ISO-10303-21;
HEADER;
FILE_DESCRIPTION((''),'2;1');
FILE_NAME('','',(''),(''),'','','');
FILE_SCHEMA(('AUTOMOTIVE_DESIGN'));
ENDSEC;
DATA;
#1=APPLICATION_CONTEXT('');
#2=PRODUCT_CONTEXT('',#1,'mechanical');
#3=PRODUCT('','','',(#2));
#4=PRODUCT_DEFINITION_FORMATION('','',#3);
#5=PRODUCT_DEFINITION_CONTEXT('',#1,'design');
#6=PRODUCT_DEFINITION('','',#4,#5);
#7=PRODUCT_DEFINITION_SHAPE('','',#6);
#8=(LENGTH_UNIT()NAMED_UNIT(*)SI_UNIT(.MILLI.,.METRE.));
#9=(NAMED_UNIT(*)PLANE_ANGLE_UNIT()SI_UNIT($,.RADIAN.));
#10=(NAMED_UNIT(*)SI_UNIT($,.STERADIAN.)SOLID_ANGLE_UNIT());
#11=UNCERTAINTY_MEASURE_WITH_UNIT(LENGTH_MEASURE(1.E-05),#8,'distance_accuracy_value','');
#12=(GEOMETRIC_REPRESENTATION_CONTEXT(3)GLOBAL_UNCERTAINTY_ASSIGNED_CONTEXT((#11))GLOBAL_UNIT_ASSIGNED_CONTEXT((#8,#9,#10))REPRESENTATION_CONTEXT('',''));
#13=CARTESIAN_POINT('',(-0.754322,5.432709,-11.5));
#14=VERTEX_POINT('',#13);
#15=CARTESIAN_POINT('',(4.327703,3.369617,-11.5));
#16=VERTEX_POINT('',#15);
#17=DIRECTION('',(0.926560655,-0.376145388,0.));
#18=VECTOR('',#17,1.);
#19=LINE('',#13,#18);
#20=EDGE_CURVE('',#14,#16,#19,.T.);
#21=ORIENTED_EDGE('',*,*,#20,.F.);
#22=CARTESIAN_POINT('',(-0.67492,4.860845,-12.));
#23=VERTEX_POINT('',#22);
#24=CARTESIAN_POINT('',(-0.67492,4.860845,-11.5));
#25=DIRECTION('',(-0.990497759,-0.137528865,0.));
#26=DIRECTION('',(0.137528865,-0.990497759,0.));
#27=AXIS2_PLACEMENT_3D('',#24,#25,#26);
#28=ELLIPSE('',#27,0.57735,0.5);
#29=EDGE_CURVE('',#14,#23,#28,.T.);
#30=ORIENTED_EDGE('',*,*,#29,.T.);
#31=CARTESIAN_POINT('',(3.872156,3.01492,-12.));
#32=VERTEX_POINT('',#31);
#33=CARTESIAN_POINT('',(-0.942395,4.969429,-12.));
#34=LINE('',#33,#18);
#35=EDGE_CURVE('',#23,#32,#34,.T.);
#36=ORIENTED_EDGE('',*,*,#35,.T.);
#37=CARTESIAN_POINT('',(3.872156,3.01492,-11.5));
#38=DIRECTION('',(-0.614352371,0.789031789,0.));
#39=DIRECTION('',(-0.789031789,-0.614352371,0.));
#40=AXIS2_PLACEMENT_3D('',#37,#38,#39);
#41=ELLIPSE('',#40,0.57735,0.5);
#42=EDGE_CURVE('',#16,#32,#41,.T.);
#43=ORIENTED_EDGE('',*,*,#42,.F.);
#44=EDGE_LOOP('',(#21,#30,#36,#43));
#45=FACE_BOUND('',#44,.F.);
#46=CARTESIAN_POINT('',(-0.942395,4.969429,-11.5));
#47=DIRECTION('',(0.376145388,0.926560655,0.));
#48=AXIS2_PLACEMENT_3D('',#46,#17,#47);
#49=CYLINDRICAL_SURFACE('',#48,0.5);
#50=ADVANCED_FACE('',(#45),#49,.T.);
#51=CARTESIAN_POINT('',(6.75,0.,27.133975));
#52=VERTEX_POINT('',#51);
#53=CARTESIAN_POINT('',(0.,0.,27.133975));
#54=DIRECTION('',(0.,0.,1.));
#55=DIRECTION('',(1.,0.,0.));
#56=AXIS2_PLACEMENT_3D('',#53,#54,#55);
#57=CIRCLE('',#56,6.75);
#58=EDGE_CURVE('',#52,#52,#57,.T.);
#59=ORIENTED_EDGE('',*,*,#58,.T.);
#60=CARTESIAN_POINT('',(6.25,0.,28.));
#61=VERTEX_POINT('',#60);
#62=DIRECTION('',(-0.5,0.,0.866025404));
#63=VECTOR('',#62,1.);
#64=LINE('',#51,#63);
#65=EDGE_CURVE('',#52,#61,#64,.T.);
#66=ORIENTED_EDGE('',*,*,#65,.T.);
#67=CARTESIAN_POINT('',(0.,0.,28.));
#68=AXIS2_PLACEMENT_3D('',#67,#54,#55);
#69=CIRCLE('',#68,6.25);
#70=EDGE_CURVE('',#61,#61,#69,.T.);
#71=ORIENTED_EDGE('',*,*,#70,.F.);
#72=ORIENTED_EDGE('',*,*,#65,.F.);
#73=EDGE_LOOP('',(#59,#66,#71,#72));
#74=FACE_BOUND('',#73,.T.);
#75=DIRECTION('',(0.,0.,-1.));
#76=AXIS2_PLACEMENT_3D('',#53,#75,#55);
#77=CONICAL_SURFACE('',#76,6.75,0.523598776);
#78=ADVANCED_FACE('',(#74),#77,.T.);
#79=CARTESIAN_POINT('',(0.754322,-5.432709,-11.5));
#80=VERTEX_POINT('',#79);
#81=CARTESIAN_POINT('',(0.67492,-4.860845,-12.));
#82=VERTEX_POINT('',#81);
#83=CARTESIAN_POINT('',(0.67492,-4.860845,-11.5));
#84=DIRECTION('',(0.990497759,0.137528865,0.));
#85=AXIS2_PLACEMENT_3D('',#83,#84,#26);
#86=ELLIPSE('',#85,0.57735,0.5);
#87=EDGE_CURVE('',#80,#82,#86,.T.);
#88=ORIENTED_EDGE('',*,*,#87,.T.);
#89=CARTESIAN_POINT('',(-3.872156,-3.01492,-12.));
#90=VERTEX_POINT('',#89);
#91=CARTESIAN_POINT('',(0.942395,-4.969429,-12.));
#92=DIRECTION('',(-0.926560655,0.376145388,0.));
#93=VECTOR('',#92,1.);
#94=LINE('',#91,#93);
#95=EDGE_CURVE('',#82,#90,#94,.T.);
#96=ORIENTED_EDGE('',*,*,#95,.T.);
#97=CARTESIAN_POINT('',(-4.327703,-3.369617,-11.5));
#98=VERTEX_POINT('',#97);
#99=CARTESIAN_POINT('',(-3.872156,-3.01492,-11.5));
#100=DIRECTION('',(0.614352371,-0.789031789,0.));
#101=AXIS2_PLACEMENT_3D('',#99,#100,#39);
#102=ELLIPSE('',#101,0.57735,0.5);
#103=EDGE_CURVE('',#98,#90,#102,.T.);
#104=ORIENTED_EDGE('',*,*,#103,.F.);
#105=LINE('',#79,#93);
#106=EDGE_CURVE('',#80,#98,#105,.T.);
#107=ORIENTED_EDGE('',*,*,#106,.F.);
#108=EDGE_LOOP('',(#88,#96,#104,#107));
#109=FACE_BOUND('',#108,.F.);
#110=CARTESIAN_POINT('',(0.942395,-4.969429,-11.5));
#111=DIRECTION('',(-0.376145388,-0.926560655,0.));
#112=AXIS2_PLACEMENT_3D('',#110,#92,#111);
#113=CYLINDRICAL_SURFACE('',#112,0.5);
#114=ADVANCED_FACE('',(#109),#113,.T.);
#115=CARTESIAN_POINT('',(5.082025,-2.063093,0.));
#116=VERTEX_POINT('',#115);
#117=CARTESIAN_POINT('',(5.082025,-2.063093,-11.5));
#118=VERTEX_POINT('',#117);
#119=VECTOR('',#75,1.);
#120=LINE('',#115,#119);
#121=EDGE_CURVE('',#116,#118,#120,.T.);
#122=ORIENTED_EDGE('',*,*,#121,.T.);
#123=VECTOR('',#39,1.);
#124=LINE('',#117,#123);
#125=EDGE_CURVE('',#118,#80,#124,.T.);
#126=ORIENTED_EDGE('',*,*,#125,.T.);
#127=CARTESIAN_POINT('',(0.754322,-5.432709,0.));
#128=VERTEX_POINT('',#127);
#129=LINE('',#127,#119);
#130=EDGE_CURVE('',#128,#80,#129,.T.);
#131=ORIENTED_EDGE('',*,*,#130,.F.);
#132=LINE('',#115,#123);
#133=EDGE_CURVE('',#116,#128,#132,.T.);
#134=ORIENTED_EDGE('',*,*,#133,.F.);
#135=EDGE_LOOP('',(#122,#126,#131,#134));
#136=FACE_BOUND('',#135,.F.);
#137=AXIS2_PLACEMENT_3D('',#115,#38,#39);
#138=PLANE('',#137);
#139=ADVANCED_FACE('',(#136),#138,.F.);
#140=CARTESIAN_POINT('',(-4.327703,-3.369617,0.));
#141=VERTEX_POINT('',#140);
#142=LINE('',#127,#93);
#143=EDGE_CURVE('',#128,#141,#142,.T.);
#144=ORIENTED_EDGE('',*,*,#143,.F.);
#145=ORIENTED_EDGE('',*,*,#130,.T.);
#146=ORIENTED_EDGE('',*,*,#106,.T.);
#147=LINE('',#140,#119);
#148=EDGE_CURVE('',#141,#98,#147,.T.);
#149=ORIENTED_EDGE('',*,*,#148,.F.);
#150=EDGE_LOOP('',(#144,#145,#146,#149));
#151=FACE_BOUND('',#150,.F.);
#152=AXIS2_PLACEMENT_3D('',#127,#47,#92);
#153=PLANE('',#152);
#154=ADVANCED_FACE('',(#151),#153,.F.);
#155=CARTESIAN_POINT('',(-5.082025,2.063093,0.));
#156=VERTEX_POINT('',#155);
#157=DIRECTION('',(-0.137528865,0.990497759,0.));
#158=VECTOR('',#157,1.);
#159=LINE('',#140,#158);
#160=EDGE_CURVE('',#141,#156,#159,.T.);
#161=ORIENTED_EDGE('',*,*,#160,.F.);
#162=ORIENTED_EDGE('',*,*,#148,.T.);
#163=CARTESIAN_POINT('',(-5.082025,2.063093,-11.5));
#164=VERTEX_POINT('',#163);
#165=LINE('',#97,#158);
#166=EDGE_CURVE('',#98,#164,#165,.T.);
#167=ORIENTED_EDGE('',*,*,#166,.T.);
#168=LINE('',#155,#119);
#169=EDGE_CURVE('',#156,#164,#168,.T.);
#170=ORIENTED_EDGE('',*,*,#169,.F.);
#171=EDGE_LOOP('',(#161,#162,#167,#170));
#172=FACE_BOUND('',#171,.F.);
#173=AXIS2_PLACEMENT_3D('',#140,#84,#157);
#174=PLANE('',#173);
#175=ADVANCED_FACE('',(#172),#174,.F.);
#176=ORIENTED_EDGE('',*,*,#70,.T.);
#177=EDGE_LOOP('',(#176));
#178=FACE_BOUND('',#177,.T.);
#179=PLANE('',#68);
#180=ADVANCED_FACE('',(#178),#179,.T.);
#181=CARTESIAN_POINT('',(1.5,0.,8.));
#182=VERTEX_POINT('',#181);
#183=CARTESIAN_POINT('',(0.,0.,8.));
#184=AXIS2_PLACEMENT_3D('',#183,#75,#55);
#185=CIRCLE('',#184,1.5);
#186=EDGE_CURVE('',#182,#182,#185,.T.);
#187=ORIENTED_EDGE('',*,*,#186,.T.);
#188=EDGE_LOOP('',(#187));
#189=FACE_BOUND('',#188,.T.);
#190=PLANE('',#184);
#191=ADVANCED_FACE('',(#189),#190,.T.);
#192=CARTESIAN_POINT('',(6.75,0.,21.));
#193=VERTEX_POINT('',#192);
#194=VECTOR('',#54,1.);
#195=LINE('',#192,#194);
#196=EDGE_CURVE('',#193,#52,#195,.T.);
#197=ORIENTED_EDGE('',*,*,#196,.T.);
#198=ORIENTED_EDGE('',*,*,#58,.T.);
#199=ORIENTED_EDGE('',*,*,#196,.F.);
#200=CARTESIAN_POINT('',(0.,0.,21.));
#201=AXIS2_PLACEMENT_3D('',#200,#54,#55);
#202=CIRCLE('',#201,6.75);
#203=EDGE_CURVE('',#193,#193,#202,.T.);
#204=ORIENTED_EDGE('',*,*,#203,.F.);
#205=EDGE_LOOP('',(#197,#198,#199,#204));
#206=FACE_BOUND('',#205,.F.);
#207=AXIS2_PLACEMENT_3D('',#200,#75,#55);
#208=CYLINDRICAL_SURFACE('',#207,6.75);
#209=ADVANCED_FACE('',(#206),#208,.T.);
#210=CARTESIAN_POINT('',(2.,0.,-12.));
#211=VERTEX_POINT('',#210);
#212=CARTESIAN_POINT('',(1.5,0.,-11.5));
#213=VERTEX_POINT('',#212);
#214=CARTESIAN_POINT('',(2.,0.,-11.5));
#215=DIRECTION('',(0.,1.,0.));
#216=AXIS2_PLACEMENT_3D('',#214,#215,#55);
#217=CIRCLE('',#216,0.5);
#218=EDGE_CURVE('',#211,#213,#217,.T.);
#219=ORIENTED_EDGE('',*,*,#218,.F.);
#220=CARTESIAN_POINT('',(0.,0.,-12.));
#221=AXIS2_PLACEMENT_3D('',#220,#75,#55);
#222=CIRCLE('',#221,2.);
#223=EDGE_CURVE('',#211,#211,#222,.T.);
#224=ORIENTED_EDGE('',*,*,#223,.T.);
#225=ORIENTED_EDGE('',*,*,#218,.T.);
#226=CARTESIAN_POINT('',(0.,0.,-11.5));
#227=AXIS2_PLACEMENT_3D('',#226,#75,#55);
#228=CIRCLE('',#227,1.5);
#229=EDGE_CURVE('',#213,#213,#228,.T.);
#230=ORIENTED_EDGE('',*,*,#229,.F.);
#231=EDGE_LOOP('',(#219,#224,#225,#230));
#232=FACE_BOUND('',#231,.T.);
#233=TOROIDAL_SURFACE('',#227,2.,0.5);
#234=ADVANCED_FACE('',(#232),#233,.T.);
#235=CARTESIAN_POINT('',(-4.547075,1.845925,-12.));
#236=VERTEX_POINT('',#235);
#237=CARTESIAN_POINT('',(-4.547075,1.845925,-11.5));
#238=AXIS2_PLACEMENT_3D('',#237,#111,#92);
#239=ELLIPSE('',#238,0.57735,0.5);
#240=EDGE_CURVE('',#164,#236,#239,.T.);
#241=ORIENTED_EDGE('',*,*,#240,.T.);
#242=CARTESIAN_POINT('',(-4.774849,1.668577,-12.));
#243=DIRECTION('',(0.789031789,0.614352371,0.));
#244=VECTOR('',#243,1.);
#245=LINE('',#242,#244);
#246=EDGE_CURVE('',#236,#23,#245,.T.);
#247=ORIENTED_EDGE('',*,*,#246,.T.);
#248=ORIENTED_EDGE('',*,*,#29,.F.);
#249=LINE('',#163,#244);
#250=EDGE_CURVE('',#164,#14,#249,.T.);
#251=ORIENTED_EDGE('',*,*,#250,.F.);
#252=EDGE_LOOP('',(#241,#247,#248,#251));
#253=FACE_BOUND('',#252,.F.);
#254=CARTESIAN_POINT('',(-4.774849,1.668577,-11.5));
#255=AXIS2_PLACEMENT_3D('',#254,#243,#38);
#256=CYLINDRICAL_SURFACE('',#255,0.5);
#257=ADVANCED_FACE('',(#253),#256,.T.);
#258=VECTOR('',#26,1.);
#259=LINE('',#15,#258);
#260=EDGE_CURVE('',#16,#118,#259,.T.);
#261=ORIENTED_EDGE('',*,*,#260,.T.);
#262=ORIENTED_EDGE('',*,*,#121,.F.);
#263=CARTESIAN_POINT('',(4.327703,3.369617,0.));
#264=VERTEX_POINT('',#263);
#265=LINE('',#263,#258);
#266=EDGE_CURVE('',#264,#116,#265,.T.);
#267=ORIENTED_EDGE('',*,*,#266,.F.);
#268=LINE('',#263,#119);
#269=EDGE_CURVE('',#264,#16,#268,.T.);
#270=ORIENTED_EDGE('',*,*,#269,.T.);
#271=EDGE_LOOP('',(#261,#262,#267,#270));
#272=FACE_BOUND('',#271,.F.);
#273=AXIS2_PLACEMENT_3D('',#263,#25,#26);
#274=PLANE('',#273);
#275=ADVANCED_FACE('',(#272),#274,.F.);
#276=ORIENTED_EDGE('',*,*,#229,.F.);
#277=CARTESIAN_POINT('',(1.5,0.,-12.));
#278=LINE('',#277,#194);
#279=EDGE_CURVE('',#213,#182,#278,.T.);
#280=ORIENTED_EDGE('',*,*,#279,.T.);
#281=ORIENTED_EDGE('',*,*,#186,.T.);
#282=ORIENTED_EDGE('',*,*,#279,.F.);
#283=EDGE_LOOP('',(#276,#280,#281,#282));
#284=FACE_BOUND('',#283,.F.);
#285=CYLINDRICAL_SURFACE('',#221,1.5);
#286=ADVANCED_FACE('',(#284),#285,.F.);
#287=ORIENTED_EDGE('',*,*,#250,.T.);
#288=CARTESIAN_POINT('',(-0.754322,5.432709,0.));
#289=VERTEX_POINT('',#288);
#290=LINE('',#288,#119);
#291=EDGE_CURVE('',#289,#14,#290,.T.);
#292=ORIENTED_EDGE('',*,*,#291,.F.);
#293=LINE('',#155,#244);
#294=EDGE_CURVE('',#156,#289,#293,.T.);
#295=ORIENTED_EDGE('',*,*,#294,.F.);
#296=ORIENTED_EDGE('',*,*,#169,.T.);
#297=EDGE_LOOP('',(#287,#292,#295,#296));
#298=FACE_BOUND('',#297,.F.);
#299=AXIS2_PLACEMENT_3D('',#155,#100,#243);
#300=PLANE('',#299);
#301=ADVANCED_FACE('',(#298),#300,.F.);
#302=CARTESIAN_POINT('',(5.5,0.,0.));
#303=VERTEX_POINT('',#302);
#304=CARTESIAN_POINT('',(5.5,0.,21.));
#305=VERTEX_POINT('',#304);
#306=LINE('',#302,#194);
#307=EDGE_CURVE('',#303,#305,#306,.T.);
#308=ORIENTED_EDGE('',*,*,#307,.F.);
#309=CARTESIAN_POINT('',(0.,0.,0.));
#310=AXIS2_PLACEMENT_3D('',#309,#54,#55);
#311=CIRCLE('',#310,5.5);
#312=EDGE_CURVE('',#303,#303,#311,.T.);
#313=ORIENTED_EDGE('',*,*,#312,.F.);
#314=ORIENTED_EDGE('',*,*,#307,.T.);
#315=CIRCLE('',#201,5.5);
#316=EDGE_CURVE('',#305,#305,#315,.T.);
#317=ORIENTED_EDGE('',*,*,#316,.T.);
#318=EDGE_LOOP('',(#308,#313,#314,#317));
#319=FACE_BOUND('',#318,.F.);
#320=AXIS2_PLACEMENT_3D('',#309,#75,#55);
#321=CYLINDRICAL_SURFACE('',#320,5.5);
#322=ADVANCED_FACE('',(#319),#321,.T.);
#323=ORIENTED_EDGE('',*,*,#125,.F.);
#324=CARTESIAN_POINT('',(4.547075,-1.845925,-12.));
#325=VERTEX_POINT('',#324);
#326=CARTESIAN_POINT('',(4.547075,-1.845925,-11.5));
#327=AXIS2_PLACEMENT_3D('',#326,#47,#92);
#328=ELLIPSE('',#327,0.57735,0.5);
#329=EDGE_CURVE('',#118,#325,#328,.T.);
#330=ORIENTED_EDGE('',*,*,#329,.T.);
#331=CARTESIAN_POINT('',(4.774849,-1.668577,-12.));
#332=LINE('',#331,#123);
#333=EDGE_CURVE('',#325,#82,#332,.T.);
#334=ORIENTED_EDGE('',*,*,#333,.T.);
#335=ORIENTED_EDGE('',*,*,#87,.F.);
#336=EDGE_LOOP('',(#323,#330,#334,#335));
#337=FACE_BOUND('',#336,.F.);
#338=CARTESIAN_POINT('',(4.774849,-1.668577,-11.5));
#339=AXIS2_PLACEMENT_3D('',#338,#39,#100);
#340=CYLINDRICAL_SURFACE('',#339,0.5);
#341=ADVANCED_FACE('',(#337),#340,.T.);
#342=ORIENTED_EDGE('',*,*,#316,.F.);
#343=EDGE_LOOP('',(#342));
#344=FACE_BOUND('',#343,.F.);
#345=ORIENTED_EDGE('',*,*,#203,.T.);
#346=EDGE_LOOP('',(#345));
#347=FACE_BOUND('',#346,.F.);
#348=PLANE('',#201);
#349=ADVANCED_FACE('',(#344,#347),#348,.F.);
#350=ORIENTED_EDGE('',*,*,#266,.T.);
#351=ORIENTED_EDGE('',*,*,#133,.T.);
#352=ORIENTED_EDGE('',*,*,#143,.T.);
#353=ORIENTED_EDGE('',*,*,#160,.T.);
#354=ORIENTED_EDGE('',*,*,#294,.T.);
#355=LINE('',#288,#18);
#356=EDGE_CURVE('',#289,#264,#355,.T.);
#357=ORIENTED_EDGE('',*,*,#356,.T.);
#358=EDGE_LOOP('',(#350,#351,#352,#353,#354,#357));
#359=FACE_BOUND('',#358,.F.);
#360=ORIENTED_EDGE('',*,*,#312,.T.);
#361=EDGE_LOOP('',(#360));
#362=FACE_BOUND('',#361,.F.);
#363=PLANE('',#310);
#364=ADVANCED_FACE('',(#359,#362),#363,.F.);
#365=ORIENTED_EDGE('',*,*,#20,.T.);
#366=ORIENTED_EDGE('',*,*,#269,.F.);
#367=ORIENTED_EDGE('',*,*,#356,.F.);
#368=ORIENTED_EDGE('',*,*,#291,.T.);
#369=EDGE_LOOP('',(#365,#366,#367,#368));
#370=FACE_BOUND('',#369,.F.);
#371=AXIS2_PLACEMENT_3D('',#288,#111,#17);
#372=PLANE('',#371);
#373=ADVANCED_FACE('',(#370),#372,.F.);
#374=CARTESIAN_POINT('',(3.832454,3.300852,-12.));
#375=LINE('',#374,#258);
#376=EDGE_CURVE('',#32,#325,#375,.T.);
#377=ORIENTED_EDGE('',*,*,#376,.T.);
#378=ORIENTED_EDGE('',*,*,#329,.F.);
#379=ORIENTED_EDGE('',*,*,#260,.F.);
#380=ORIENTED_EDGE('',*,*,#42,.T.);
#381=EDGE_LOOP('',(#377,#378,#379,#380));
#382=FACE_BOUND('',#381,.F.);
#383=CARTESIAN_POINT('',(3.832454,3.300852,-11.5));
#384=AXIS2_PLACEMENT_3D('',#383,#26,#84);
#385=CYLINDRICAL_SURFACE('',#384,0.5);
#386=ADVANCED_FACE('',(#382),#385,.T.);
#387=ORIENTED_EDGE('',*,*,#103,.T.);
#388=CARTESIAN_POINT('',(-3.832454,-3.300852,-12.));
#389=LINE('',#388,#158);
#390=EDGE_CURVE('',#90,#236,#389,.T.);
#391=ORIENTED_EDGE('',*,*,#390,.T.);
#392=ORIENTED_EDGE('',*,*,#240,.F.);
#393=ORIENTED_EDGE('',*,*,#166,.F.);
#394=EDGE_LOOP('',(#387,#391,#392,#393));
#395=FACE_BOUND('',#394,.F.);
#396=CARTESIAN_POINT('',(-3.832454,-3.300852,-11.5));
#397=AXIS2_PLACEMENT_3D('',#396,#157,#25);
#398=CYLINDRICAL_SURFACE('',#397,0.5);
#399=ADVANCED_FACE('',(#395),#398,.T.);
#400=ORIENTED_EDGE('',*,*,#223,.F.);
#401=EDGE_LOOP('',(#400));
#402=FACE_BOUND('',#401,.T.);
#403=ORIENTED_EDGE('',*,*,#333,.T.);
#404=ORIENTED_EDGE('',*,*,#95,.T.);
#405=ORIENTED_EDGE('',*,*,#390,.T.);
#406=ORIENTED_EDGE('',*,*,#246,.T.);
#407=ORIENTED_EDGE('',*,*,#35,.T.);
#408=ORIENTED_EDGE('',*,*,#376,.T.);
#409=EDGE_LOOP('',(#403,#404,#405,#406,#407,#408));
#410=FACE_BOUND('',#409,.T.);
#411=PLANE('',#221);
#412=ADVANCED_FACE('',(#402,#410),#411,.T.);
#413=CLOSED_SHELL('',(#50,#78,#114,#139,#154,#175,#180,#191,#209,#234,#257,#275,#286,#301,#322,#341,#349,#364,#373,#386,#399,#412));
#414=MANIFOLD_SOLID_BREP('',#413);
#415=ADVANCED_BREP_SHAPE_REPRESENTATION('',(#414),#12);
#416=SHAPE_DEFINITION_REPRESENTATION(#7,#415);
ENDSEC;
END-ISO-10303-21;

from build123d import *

# Parameters (mm, degrees)
F0_R     = 5.5
F1_DEPTH = 21
F2_R     = 6.75
F3_DEPTH = 7
F5_DEPTH = 12
F6_R     = 1.5
F7_DEPTH = 20
F8_R     = 0.5
F9_SIZE2 = 0.5
F9_SIZE  = 0.8660254038


with BuildPart() as f1:
    # F0 (on Top) → F1 (new body)
    with BuildSketch(Plane.XY):
        Circle(F0_R)
    extrude(amount=F1_DEPTH)

    # F2 (on face) → F3 (join)
    with BuildSketch(Plane.XY.offset(21)):
        Circle(F2_R)
    extrude(amount=F3_DEPTH)

    # F4 (on face) → F5 (join)
    with BuildSketch(Plane(origin=(0, 0, 0), x_dir=(1, 0, 0), z_dir=(0, 0, -1))):
        Polygon((0.7543221108, 5.4327094057), (-4.3277033013, 3.3696168135), (-5.0820254121, -2.0630925922), (-0.7543221108, -5.4327094057), (4.3277033013, -3.3696168135), (5.0820254121, 2.0630925922), align=None)
    extrude(amount=F5_DEPTH)

    # F6 (on face) → F7 (cut)
    with BuildSketch(Plane(origin=(0, 0, -12), x_dir=(1, 0, 0), z_dir=(0, 0, -1))):
        Circle(F6_R)
    extrude(amount=-F7_DEPTH, mode=Mode.SUBTRACT)

    # F8
    f8_edges = [f1.edges().sort_by_distance(p)[0] for p in [
        (2.918174, -3.747901, -12),
        (4.704864, 0.653262, -12),
        (-1.786691, -4.401163, -12),
        (1.786691, 4.401163, -12),
        (-4.704864, -0.653262, -12),
        (-2.918174, 3.747901, -12),
        (-1.5, 0, -12),
    ]]
    fillet(f8_edges, radius=F8_R)

    # F9
    f9_edges = [f1.edges().sort_by_distance(p)[0] for p in [
        (-6.75, 0, 28),
    ]]
    f9_side = f1.faces().sort_by_distance((-6.75, 0, 24.5))[0]
    chamfer(f9_edges, length=F9_SIZE, length2=F9_SIZE2, reference=f9_side)


solid = f1.part
